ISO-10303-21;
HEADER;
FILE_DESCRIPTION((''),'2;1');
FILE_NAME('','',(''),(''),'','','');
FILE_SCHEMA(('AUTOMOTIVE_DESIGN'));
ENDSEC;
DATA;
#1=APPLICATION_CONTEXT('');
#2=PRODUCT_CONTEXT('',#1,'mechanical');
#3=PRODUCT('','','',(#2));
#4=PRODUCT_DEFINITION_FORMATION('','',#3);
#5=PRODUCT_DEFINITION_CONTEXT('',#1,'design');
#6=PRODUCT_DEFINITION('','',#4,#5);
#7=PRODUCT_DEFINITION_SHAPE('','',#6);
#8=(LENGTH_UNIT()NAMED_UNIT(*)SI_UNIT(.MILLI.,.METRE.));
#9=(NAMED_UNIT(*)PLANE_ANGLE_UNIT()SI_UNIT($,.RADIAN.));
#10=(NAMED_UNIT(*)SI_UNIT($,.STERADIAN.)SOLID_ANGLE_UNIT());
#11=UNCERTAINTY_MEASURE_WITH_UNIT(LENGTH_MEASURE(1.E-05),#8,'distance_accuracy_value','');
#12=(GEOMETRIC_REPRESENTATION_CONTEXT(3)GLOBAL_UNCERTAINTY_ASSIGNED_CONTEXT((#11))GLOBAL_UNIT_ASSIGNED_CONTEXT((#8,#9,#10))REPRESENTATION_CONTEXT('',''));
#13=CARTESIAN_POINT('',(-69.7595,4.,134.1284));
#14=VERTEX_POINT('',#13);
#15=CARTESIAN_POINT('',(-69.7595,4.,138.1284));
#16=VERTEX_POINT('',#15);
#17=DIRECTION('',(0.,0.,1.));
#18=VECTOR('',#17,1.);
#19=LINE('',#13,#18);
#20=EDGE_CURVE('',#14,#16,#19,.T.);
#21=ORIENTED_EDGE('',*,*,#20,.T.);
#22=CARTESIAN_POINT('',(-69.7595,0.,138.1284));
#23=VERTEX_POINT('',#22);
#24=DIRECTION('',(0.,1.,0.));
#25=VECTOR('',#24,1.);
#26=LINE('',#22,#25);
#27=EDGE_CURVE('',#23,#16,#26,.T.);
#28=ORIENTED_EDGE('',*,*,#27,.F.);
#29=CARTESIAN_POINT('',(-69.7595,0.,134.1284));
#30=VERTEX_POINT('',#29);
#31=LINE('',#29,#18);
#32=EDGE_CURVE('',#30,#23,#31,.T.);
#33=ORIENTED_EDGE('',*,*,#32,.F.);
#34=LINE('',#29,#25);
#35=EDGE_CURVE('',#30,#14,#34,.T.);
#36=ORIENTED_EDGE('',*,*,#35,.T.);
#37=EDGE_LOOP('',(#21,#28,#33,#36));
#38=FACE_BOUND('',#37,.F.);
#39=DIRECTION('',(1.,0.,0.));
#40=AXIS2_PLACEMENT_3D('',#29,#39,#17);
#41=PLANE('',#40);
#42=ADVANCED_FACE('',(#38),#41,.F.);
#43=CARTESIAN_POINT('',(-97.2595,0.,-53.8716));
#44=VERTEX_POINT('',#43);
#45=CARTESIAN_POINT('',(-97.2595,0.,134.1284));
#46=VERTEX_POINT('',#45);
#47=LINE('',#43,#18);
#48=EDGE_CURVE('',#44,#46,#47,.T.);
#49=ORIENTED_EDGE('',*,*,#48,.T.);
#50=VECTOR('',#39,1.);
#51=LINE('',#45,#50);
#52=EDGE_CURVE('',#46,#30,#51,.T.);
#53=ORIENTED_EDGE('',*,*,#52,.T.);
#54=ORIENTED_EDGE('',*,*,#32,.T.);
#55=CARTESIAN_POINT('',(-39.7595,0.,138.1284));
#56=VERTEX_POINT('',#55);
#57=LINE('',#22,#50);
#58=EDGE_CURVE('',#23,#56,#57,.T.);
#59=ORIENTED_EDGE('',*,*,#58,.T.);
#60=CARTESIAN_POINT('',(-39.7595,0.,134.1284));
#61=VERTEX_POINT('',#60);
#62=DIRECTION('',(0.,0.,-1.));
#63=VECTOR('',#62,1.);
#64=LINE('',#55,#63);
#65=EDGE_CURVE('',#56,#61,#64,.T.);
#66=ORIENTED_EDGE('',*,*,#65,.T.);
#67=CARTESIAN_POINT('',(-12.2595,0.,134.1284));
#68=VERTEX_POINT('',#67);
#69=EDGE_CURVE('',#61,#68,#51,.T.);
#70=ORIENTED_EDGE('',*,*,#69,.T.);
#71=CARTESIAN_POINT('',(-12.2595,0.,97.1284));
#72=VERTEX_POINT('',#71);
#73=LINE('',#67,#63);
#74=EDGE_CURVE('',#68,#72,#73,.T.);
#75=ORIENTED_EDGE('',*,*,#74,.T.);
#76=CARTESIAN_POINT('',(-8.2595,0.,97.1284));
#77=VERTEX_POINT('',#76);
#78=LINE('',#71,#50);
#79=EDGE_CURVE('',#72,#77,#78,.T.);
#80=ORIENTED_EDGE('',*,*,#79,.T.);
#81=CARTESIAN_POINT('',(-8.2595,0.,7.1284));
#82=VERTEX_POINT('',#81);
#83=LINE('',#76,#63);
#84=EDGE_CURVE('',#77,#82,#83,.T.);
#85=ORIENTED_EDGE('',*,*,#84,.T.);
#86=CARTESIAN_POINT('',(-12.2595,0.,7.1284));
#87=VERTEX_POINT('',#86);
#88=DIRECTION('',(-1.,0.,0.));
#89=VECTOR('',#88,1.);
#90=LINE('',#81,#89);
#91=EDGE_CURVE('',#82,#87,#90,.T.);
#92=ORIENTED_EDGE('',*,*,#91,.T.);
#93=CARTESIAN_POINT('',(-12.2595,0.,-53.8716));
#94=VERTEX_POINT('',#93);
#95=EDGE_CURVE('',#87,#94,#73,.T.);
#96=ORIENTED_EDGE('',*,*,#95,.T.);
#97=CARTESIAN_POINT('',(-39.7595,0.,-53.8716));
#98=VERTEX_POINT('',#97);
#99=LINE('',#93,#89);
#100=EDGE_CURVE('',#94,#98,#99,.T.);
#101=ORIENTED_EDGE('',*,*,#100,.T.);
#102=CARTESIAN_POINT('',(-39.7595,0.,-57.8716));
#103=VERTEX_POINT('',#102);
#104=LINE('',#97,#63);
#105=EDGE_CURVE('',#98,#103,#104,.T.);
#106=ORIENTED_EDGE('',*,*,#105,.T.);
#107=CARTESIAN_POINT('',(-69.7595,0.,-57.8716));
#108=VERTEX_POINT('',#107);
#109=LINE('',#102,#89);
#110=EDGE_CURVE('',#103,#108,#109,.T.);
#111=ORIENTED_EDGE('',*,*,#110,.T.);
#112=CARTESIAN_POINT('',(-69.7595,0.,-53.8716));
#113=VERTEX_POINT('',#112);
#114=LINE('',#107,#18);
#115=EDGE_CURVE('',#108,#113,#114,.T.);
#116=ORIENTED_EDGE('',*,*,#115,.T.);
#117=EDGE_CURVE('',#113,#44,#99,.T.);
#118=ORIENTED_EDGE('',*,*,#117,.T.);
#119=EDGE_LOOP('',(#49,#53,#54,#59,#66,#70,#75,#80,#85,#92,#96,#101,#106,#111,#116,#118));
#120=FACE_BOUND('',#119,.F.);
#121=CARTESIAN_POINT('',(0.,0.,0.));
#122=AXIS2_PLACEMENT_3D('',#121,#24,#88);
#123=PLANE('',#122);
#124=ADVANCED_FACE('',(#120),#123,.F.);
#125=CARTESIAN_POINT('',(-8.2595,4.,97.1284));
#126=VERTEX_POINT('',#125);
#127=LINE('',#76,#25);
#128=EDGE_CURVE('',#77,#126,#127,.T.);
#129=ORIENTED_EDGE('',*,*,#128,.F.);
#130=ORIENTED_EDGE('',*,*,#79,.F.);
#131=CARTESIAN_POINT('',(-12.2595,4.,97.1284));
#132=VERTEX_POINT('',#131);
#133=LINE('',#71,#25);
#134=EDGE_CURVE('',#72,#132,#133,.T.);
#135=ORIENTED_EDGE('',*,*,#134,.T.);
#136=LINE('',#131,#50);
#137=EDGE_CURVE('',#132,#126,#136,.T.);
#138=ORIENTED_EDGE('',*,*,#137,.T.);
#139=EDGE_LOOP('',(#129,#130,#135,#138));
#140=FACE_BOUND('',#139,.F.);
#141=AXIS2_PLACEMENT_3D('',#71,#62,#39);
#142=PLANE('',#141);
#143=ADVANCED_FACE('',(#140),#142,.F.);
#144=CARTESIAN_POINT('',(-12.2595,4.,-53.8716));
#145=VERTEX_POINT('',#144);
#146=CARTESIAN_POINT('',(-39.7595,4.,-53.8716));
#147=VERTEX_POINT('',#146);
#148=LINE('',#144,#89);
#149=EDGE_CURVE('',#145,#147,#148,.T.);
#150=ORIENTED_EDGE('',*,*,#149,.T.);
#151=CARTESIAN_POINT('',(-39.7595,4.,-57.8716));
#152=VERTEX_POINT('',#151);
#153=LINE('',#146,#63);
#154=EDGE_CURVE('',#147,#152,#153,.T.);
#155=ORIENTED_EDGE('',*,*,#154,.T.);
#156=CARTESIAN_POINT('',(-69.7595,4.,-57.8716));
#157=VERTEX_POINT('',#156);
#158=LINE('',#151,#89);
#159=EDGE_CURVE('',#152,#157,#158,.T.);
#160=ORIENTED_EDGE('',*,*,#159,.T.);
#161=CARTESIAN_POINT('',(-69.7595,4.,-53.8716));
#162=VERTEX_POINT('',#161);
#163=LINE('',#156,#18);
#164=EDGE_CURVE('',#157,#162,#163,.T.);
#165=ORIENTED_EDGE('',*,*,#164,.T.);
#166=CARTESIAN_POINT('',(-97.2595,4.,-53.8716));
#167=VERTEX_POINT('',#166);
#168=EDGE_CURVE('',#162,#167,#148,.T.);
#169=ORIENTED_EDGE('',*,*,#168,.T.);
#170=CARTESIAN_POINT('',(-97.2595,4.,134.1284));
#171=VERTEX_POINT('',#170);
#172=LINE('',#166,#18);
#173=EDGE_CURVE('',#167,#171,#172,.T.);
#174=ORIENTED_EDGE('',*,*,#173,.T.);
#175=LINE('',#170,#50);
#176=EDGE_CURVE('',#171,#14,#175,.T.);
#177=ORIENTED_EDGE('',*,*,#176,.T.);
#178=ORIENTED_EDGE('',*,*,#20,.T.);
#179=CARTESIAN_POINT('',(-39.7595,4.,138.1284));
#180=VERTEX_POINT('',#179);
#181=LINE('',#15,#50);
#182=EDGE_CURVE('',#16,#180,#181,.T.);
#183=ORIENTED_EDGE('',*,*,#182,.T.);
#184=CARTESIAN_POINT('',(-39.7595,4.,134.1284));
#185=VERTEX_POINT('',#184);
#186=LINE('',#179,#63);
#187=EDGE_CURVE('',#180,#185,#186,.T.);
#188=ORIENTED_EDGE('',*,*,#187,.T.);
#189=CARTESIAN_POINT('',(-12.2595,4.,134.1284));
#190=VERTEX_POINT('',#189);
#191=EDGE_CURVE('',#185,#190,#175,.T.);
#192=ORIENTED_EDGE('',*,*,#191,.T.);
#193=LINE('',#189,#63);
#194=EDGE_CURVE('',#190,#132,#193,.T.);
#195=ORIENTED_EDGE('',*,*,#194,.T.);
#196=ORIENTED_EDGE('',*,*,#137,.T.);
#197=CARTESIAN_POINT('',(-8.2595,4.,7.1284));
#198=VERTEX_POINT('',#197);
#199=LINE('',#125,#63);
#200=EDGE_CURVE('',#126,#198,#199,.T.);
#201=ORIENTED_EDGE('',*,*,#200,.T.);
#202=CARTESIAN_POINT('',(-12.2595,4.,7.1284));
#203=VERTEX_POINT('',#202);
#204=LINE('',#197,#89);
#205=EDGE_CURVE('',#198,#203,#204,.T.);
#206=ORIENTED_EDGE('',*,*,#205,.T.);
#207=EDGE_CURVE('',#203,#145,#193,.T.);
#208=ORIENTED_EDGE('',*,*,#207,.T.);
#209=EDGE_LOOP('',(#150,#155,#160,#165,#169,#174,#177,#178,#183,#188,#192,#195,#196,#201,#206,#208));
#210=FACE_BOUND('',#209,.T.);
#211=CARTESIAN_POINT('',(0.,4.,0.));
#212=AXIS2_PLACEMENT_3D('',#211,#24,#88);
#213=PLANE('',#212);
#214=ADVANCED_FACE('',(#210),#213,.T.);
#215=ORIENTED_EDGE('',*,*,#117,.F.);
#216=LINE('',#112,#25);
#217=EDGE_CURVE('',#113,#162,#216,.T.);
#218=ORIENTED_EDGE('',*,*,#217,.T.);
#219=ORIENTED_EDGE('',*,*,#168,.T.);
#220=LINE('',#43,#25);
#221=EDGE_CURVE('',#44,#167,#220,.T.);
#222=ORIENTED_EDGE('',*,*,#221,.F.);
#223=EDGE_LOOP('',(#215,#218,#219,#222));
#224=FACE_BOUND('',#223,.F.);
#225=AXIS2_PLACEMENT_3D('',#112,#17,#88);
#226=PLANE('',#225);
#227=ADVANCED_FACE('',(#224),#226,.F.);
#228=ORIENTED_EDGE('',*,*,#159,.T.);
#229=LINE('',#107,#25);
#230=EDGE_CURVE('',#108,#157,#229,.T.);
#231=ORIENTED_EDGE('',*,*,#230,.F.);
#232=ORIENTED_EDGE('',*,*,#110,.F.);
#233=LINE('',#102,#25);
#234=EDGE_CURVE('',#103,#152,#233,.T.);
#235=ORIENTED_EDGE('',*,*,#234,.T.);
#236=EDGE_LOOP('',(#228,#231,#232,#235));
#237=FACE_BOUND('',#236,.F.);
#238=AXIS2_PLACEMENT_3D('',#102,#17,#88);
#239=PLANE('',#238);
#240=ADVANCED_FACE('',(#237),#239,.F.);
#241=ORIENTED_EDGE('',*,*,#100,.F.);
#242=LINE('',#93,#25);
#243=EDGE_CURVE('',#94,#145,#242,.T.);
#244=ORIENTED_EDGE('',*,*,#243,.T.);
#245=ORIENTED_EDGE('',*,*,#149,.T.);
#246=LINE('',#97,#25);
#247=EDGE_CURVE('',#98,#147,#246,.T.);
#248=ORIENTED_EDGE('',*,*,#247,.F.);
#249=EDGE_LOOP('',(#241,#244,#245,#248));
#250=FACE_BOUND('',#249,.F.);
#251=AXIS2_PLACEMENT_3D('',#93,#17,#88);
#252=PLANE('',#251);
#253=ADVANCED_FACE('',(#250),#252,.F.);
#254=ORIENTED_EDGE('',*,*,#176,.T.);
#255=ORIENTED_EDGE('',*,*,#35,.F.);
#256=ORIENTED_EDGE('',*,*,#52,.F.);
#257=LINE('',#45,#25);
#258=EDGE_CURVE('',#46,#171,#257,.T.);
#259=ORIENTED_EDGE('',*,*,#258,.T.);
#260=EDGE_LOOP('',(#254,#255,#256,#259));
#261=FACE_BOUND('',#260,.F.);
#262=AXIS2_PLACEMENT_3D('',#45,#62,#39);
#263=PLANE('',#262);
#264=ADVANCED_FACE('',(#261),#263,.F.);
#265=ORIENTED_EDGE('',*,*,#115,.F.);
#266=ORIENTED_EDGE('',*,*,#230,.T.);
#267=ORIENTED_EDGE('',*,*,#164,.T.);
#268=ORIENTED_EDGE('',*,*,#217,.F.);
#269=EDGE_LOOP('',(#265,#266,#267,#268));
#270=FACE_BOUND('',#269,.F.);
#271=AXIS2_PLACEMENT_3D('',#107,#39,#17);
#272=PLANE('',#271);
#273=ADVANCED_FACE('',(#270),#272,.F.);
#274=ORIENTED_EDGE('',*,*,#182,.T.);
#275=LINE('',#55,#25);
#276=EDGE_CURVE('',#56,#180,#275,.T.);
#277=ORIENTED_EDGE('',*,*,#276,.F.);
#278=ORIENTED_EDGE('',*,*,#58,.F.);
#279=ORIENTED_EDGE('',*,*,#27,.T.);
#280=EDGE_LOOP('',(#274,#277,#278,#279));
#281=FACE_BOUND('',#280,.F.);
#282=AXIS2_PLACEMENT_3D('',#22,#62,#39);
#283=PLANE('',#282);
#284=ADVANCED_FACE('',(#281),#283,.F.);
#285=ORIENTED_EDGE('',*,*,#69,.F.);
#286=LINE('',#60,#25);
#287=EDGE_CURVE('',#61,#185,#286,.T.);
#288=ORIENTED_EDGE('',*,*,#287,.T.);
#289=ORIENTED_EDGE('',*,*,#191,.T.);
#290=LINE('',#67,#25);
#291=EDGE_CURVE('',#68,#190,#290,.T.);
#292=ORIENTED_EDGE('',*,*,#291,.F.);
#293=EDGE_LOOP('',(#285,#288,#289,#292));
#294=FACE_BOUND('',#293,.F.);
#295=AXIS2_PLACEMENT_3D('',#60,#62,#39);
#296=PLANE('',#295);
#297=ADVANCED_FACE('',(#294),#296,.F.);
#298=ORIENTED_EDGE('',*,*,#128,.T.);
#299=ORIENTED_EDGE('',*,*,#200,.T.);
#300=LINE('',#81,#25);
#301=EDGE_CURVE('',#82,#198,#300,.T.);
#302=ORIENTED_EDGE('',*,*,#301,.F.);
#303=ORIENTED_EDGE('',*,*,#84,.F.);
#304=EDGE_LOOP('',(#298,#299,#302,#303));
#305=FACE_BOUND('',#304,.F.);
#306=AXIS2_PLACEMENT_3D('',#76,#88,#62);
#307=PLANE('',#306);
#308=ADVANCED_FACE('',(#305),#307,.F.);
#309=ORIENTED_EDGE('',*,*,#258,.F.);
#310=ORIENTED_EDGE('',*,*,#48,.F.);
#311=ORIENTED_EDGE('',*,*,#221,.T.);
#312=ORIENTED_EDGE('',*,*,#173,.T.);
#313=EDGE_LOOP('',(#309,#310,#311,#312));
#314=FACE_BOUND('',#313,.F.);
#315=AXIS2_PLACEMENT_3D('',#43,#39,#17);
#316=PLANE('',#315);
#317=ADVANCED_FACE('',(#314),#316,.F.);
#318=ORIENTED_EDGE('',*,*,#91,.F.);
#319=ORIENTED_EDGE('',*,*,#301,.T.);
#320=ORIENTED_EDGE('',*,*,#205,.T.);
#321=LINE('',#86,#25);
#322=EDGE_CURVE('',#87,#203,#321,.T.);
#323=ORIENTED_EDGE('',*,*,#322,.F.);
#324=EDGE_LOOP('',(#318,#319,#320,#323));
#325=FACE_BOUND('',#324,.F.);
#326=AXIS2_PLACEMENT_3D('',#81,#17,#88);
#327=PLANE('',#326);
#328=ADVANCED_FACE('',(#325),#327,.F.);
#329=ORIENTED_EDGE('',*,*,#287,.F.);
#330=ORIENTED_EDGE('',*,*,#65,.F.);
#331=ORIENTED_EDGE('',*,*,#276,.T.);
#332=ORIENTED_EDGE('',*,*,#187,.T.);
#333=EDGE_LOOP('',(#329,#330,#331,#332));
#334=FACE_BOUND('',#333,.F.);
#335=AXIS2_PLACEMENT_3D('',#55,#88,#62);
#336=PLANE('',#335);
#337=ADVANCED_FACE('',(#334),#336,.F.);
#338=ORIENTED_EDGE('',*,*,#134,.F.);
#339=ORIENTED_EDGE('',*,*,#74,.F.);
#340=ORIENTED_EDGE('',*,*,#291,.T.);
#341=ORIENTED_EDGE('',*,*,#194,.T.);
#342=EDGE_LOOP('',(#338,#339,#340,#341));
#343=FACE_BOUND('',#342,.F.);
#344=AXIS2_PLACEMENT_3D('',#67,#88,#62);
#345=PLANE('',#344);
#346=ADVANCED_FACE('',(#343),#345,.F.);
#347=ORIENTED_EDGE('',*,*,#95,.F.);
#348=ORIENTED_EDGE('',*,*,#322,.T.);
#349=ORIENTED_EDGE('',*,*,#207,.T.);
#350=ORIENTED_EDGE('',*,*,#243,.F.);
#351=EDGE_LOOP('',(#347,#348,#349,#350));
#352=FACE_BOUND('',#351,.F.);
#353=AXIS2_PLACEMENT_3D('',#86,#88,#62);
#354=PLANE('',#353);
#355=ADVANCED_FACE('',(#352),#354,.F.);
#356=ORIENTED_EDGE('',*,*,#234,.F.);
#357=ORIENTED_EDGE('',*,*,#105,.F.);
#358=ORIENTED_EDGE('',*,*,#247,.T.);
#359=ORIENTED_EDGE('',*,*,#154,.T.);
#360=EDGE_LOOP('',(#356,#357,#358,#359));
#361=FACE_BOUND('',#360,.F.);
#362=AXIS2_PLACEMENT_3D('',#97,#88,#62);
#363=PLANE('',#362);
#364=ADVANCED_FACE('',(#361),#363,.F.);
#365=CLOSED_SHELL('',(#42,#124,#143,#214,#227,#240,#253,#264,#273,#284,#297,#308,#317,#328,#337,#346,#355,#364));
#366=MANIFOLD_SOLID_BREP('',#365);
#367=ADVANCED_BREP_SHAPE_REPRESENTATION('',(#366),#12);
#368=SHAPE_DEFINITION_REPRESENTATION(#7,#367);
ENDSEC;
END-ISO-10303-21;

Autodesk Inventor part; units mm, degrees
ref_plane "YZ Plane" through (0, 0, 0) normal (1, 0, 0) x (0, 1, 0)
ref_plane "XZ Plane" through (0, 0, 0) normal (0, 1, 0) x (-1, 0, 0)
ref_plane "XY Plane" through (0, 0, 0) normal (0, 0, 1) x (1, 0, 0)
sketch "Эскиз1" plane through (0, 0, 0) normal (0, 1, 0) x (-1, 0, 0)
  line L0 (97.2595, 134.1284) -> (12.2595, 134.1284)
  line L1 (12.2595, 134.1284) -> (12.2595, -53.8716)
  line L2 (12.2595, -53.8716) -> (97.2595, -53.8716)
  line L3 (97.2595, -53.8716) -> (97.2595, 134.1284)
  line L4 (12.2595, 97.1284) -> (8.2595, 97.1284)
  line L5 (8.2595, 97.1284) -> (8.2595, 7.1284)
  line L6 (8.2595, 7.1284) -> (12.2595, 7.1284)
  line L7 (12.2595, 7.1284) -> (12.2595, 97.1284)
  line L8 (69.7595, 138.1284) -> (39.7595, 138.1284)
  line L9 (39.7595, 138.1284) -> (39.7595, 134.1284)
  line L10 (39.7595, 134.1284) -> (69.7595, 134.1284)
  line L11 (69.7595, 134.1284) -> (69.7595, 138.1284)
  line L12 (69.7595, -53.8716) -> (39.7595, -53.8716)
  line L13 (39.7595, -53.8716) -> (39.7595, -57.8716)
  line L14 (39.7595, -57.8716) -> (69.7595, -57.8716)
  line L15 (69.7595, -57.8716) -> (69.7595, -53.8716)
  line L16 (54.7595, -53.8716) -> (54.7595, -83.5129) construction
  point P0 (-14.3828, -135.2029)
  point P1 (-14.3828, -200.4773)
  point P2 (-14.3828, -47.8079)
  point P3 (-14.3828, 17.4664)
  point P4 (-10.7565, -263.2131)
  point P5 (-3.5038, -263.2131)
  point P6 (-3.5038, 232.8717)
  point P7 (-10.7565, 232.8717)
  point P8 (-3.5038, 79.8397)
  point P9 (-10.7565, 79.8397)
  point P10 (-14.3828, 17.4664)
  point P11 (-14.3828, -47.8079)
  point P12 (-10.7565, -110.1811)
  point P13 (-3.5038, -110.1811)
  point P14 (69.7595, 134.1284)
  point P15 (54.7595, -57.8716)
  point P16 (54.7595, 138.1284)
  dimension "d12" = 4
  dimension "d13" = 90
  dimension "d14" = 85
  dimension "d16" = 37
  dimension "d17" = 30
  dimension "d18" = 4
  dimension "d23" = 61
extrude "Выдавливание1" add sketch "Эскиз1" along normal blind 4
properties part number "стенка 3"
